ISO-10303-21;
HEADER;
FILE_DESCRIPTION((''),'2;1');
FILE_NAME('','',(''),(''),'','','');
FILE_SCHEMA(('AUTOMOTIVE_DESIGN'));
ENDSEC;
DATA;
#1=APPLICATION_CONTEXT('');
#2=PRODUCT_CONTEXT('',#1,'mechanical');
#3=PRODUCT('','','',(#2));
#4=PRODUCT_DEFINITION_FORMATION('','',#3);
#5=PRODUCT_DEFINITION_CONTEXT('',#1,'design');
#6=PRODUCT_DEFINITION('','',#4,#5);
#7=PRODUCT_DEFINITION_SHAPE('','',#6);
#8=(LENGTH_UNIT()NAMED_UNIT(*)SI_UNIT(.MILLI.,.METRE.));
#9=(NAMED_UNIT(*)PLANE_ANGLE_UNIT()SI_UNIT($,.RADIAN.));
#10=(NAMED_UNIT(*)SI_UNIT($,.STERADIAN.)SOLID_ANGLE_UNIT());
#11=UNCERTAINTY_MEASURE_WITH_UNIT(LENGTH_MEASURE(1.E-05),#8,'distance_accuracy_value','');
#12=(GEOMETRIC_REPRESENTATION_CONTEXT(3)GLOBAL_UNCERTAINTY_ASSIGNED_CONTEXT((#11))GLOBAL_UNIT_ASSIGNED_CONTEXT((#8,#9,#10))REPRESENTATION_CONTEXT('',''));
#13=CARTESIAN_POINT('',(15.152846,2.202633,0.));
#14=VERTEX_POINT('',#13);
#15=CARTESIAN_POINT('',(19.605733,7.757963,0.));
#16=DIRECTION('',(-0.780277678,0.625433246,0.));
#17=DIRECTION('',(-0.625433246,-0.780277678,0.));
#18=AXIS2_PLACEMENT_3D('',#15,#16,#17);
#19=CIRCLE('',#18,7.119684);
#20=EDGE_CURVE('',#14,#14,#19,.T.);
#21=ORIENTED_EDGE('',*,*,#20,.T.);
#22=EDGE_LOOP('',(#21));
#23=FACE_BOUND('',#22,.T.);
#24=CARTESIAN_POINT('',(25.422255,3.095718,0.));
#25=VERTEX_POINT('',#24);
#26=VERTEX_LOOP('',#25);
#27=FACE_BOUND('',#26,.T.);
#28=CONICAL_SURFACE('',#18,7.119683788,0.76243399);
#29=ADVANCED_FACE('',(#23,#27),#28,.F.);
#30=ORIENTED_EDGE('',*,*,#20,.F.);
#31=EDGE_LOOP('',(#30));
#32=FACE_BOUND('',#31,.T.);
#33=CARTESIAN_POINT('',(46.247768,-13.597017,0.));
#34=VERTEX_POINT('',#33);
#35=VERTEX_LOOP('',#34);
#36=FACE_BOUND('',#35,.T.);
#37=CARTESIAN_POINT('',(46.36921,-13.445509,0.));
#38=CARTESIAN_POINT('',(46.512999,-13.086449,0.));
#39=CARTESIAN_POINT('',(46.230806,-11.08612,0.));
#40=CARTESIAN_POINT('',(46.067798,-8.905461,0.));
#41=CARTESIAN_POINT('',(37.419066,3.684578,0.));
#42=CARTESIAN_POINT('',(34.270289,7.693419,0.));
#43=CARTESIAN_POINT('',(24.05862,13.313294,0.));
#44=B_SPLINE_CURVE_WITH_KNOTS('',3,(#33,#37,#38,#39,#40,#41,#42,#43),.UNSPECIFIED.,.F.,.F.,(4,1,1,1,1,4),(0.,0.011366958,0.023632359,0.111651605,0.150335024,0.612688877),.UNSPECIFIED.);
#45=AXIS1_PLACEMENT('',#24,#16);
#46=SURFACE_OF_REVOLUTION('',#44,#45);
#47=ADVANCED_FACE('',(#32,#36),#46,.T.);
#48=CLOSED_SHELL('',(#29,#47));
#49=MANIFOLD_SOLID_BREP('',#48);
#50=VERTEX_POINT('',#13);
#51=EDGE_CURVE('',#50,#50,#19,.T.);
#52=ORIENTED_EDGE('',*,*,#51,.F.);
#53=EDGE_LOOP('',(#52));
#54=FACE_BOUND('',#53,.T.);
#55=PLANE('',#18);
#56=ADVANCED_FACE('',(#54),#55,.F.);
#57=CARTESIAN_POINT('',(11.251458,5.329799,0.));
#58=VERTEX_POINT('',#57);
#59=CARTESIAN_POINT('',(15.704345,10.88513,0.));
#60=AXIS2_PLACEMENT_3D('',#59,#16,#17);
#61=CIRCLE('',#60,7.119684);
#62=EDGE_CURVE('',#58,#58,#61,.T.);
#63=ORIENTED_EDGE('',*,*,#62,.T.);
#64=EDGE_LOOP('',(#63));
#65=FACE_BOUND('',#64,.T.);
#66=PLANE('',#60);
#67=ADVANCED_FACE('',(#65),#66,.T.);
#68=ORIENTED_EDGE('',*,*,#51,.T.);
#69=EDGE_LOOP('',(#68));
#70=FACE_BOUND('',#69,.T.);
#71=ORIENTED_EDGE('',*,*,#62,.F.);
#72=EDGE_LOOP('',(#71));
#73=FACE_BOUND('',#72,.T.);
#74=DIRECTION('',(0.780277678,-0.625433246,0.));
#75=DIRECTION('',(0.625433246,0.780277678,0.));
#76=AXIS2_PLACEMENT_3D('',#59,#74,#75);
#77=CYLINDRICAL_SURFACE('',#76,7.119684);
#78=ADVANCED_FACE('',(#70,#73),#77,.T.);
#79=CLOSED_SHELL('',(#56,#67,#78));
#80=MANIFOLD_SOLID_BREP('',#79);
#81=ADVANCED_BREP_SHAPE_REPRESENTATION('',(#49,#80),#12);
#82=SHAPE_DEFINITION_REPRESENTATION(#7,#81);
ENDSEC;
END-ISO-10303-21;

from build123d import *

# Parameters (mm, degrees)
SKETCH_2_R      = 7.119683788
EXTRUDE_1_DEPTH = 5


with BuildPart() as part:
    # 草圖1 → 旋轉1 (revolve)
    with BuildSketch(Plane.XY, mode=Mode.PRIVATE) as revolve_1_sk:
        with BuildLine():
            Line((24.058620343, 13.313293685), (25.42225483, 3.095718132))
            Line((25.42225483, 3.095718132), (46.247768241, -13.597016778))
            add(Edge.make_bspline(
                [(24.058620343, 13.313293685), (34.270288672, 7.693418998), (37.419066258, 3.684577688), (46.067797954, -8.905461472), (46.230805744, -11.086119793), (46.512998534, -13.086449472), (46.369209597, -13.445509036), (46.247768241, -13.597016778)],
                knots=[0, 0, 0, 0, 0.462353853, 0.501037272, 0.589056518, 0.601321919, 0.612688877, 0.612688877, 0.612688877, 0.612688877], degree=3))
        make_face()
    revolve(revolve_1_sk.sketch.rotate(Axis((25.42225483, 3.095718132, 0), (0.7802776783951731, -0.6254332455172484, 0)), 180), axis=Axis((25.42225483, 3.095718132, 0), (0.7802776783951731, -0.6254332455172484, 0)))


with BuildPart() as body_2:
    # 草圖2 → 填料-伸長1 (new body)
    with BuildSketch(Plane(origin=(8.150646381, -6.533168076, 0), x_dir=(0, 0, 1), z_dir=(-0.7802776783951733, 0.6254332455172484, 0))):
        with Locations(Location((0, 18.315443104, 0), (0, 0, 270))):
            Circle(SKETCH_2_R)
    extrude(amount=EXTRUDE_1_DEPTH)


solid = Compound([part.part, body_2.part])
